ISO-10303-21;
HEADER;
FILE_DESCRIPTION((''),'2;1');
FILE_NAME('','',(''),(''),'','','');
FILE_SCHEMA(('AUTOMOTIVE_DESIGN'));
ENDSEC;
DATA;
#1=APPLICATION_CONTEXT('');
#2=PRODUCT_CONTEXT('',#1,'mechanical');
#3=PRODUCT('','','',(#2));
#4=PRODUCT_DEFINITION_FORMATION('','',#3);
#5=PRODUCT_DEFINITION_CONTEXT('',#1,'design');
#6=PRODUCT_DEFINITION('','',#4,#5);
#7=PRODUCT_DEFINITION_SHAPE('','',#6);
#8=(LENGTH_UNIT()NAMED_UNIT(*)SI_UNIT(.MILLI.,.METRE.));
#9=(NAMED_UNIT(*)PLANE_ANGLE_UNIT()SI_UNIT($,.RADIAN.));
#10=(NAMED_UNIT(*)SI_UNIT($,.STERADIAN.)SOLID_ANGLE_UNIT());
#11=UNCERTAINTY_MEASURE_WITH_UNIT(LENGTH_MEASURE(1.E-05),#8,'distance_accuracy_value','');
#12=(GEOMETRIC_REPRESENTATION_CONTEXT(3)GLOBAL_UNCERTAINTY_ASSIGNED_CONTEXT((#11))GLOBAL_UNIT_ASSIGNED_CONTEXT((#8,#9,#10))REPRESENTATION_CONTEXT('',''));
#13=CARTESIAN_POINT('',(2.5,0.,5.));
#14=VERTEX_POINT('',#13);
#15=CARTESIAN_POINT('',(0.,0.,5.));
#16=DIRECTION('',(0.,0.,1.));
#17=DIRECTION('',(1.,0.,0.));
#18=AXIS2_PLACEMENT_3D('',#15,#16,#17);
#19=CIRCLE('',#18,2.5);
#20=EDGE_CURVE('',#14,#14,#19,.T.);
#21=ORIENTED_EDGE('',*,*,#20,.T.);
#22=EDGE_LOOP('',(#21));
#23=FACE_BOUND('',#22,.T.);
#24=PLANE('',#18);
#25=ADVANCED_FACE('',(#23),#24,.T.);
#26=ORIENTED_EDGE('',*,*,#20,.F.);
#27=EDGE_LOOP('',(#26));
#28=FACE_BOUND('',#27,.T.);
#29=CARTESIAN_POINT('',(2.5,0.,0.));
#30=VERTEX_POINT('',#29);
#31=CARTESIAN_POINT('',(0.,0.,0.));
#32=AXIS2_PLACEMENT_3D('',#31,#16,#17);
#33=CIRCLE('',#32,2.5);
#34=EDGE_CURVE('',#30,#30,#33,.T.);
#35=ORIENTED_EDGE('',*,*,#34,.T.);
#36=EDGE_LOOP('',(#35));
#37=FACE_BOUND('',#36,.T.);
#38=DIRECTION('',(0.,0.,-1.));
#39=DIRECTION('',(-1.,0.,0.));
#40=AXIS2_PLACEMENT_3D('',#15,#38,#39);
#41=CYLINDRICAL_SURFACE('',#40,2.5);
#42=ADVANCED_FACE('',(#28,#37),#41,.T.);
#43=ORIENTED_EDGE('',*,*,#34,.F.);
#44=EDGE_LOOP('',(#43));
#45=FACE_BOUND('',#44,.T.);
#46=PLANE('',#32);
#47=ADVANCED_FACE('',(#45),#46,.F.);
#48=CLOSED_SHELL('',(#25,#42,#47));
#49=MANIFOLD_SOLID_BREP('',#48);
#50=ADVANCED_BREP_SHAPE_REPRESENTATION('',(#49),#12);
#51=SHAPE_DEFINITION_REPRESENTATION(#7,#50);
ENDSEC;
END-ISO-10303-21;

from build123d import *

# Parameters (mm, degrees)
SKETCH1_R           = 2.5
BOSS_EXTRUDE1_DEPTH = 5


with BuildPart() as part:
    # Sketch1 → Boss-Extrude1 (new body)
    with BuildSketch(Plane.XY):
        Circle(SKETCH1_R)
    extrude(amount=BOSS_EXTRUDE1_DEPTH)


solid = part.part
